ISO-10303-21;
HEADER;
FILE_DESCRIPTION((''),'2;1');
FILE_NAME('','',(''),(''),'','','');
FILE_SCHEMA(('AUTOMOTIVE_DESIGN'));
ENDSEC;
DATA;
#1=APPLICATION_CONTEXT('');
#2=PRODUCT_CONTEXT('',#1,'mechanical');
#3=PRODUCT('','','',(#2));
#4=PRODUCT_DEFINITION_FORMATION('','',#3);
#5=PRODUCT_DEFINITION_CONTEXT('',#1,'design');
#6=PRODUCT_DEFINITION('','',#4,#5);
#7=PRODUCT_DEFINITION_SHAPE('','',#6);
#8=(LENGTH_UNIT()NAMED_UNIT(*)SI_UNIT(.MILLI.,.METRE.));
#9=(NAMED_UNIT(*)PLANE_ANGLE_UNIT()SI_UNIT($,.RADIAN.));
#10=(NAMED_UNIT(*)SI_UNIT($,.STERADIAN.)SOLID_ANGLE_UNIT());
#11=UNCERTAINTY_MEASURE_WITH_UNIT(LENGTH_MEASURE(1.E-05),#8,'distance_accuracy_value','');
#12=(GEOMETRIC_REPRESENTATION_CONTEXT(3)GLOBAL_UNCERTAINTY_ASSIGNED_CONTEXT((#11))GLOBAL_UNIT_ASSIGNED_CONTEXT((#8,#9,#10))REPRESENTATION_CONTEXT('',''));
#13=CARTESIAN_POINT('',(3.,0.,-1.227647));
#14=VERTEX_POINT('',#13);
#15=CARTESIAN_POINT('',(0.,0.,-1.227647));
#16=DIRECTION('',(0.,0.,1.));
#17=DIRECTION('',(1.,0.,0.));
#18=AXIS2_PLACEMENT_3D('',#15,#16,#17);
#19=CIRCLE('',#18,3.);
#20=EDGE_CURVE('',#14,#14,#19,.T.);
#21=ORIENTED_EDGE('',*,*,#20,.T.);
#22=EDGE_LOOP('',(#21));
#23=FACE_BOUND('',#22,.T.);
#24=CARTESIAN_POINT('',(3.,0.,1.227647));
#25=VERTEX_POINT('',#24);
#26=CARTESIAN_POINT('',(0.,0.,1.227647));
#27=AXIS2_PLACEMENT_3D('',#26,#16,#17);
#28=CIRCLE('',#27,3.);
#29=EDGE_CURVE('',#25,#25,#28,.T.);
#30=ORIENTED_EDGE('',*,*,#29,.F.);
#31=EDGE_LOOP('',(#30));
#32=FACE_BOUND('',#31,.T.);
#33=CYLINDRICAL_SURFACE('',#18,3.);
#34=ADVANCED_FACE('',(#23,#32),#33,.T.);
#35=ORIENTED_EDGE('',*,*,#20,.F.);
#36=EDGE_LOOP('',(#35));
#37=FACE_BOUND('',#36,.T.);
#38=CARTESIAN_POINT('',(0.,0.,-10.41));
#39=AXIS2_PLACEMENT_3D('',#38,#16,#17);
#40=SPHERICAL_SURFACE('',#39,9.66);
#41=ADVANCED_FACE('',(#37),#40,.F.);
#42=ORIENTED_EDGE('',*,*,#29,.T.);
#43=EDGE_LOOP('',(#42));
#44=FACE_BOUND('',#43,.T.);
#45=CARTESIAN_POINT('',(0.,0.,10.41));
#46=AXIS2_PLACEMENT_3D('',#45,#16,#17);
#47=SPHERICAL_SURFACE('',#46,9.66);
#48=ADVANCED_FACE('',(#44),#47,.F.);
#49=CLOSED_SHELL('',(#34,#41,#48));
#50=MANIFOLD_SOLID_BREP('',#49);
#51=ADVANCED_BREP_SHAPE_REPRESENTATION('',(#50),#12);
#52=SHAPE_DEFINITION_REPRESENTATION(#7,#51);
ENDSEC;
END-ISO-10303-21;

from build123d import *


with BuildPart() as part:
    # Skizze1 → Rotation1 (revolve)
    with BuildSketch(Plane(origin=(0, 0, 0), x_dir=(1, 0, 0), z_dir=(0, 1, 0))):
        with BuildLine():
            Line((0, 0.75), (0, -0.75))
            ThreePointArc((0, -0.75), (1.518893265, -0.87015916), (3, -1.22764736))
            Line((3, -1.22764736), (3, 1.22764736))
            ThreePointArc((3, 1.22764736), (1.518893265, 0.87015916), (0, 0.75))
        make_face()
    revolve(axis=Axis((0, 0, -1.22764736), (0, 0, 1)))


solid = part.part
